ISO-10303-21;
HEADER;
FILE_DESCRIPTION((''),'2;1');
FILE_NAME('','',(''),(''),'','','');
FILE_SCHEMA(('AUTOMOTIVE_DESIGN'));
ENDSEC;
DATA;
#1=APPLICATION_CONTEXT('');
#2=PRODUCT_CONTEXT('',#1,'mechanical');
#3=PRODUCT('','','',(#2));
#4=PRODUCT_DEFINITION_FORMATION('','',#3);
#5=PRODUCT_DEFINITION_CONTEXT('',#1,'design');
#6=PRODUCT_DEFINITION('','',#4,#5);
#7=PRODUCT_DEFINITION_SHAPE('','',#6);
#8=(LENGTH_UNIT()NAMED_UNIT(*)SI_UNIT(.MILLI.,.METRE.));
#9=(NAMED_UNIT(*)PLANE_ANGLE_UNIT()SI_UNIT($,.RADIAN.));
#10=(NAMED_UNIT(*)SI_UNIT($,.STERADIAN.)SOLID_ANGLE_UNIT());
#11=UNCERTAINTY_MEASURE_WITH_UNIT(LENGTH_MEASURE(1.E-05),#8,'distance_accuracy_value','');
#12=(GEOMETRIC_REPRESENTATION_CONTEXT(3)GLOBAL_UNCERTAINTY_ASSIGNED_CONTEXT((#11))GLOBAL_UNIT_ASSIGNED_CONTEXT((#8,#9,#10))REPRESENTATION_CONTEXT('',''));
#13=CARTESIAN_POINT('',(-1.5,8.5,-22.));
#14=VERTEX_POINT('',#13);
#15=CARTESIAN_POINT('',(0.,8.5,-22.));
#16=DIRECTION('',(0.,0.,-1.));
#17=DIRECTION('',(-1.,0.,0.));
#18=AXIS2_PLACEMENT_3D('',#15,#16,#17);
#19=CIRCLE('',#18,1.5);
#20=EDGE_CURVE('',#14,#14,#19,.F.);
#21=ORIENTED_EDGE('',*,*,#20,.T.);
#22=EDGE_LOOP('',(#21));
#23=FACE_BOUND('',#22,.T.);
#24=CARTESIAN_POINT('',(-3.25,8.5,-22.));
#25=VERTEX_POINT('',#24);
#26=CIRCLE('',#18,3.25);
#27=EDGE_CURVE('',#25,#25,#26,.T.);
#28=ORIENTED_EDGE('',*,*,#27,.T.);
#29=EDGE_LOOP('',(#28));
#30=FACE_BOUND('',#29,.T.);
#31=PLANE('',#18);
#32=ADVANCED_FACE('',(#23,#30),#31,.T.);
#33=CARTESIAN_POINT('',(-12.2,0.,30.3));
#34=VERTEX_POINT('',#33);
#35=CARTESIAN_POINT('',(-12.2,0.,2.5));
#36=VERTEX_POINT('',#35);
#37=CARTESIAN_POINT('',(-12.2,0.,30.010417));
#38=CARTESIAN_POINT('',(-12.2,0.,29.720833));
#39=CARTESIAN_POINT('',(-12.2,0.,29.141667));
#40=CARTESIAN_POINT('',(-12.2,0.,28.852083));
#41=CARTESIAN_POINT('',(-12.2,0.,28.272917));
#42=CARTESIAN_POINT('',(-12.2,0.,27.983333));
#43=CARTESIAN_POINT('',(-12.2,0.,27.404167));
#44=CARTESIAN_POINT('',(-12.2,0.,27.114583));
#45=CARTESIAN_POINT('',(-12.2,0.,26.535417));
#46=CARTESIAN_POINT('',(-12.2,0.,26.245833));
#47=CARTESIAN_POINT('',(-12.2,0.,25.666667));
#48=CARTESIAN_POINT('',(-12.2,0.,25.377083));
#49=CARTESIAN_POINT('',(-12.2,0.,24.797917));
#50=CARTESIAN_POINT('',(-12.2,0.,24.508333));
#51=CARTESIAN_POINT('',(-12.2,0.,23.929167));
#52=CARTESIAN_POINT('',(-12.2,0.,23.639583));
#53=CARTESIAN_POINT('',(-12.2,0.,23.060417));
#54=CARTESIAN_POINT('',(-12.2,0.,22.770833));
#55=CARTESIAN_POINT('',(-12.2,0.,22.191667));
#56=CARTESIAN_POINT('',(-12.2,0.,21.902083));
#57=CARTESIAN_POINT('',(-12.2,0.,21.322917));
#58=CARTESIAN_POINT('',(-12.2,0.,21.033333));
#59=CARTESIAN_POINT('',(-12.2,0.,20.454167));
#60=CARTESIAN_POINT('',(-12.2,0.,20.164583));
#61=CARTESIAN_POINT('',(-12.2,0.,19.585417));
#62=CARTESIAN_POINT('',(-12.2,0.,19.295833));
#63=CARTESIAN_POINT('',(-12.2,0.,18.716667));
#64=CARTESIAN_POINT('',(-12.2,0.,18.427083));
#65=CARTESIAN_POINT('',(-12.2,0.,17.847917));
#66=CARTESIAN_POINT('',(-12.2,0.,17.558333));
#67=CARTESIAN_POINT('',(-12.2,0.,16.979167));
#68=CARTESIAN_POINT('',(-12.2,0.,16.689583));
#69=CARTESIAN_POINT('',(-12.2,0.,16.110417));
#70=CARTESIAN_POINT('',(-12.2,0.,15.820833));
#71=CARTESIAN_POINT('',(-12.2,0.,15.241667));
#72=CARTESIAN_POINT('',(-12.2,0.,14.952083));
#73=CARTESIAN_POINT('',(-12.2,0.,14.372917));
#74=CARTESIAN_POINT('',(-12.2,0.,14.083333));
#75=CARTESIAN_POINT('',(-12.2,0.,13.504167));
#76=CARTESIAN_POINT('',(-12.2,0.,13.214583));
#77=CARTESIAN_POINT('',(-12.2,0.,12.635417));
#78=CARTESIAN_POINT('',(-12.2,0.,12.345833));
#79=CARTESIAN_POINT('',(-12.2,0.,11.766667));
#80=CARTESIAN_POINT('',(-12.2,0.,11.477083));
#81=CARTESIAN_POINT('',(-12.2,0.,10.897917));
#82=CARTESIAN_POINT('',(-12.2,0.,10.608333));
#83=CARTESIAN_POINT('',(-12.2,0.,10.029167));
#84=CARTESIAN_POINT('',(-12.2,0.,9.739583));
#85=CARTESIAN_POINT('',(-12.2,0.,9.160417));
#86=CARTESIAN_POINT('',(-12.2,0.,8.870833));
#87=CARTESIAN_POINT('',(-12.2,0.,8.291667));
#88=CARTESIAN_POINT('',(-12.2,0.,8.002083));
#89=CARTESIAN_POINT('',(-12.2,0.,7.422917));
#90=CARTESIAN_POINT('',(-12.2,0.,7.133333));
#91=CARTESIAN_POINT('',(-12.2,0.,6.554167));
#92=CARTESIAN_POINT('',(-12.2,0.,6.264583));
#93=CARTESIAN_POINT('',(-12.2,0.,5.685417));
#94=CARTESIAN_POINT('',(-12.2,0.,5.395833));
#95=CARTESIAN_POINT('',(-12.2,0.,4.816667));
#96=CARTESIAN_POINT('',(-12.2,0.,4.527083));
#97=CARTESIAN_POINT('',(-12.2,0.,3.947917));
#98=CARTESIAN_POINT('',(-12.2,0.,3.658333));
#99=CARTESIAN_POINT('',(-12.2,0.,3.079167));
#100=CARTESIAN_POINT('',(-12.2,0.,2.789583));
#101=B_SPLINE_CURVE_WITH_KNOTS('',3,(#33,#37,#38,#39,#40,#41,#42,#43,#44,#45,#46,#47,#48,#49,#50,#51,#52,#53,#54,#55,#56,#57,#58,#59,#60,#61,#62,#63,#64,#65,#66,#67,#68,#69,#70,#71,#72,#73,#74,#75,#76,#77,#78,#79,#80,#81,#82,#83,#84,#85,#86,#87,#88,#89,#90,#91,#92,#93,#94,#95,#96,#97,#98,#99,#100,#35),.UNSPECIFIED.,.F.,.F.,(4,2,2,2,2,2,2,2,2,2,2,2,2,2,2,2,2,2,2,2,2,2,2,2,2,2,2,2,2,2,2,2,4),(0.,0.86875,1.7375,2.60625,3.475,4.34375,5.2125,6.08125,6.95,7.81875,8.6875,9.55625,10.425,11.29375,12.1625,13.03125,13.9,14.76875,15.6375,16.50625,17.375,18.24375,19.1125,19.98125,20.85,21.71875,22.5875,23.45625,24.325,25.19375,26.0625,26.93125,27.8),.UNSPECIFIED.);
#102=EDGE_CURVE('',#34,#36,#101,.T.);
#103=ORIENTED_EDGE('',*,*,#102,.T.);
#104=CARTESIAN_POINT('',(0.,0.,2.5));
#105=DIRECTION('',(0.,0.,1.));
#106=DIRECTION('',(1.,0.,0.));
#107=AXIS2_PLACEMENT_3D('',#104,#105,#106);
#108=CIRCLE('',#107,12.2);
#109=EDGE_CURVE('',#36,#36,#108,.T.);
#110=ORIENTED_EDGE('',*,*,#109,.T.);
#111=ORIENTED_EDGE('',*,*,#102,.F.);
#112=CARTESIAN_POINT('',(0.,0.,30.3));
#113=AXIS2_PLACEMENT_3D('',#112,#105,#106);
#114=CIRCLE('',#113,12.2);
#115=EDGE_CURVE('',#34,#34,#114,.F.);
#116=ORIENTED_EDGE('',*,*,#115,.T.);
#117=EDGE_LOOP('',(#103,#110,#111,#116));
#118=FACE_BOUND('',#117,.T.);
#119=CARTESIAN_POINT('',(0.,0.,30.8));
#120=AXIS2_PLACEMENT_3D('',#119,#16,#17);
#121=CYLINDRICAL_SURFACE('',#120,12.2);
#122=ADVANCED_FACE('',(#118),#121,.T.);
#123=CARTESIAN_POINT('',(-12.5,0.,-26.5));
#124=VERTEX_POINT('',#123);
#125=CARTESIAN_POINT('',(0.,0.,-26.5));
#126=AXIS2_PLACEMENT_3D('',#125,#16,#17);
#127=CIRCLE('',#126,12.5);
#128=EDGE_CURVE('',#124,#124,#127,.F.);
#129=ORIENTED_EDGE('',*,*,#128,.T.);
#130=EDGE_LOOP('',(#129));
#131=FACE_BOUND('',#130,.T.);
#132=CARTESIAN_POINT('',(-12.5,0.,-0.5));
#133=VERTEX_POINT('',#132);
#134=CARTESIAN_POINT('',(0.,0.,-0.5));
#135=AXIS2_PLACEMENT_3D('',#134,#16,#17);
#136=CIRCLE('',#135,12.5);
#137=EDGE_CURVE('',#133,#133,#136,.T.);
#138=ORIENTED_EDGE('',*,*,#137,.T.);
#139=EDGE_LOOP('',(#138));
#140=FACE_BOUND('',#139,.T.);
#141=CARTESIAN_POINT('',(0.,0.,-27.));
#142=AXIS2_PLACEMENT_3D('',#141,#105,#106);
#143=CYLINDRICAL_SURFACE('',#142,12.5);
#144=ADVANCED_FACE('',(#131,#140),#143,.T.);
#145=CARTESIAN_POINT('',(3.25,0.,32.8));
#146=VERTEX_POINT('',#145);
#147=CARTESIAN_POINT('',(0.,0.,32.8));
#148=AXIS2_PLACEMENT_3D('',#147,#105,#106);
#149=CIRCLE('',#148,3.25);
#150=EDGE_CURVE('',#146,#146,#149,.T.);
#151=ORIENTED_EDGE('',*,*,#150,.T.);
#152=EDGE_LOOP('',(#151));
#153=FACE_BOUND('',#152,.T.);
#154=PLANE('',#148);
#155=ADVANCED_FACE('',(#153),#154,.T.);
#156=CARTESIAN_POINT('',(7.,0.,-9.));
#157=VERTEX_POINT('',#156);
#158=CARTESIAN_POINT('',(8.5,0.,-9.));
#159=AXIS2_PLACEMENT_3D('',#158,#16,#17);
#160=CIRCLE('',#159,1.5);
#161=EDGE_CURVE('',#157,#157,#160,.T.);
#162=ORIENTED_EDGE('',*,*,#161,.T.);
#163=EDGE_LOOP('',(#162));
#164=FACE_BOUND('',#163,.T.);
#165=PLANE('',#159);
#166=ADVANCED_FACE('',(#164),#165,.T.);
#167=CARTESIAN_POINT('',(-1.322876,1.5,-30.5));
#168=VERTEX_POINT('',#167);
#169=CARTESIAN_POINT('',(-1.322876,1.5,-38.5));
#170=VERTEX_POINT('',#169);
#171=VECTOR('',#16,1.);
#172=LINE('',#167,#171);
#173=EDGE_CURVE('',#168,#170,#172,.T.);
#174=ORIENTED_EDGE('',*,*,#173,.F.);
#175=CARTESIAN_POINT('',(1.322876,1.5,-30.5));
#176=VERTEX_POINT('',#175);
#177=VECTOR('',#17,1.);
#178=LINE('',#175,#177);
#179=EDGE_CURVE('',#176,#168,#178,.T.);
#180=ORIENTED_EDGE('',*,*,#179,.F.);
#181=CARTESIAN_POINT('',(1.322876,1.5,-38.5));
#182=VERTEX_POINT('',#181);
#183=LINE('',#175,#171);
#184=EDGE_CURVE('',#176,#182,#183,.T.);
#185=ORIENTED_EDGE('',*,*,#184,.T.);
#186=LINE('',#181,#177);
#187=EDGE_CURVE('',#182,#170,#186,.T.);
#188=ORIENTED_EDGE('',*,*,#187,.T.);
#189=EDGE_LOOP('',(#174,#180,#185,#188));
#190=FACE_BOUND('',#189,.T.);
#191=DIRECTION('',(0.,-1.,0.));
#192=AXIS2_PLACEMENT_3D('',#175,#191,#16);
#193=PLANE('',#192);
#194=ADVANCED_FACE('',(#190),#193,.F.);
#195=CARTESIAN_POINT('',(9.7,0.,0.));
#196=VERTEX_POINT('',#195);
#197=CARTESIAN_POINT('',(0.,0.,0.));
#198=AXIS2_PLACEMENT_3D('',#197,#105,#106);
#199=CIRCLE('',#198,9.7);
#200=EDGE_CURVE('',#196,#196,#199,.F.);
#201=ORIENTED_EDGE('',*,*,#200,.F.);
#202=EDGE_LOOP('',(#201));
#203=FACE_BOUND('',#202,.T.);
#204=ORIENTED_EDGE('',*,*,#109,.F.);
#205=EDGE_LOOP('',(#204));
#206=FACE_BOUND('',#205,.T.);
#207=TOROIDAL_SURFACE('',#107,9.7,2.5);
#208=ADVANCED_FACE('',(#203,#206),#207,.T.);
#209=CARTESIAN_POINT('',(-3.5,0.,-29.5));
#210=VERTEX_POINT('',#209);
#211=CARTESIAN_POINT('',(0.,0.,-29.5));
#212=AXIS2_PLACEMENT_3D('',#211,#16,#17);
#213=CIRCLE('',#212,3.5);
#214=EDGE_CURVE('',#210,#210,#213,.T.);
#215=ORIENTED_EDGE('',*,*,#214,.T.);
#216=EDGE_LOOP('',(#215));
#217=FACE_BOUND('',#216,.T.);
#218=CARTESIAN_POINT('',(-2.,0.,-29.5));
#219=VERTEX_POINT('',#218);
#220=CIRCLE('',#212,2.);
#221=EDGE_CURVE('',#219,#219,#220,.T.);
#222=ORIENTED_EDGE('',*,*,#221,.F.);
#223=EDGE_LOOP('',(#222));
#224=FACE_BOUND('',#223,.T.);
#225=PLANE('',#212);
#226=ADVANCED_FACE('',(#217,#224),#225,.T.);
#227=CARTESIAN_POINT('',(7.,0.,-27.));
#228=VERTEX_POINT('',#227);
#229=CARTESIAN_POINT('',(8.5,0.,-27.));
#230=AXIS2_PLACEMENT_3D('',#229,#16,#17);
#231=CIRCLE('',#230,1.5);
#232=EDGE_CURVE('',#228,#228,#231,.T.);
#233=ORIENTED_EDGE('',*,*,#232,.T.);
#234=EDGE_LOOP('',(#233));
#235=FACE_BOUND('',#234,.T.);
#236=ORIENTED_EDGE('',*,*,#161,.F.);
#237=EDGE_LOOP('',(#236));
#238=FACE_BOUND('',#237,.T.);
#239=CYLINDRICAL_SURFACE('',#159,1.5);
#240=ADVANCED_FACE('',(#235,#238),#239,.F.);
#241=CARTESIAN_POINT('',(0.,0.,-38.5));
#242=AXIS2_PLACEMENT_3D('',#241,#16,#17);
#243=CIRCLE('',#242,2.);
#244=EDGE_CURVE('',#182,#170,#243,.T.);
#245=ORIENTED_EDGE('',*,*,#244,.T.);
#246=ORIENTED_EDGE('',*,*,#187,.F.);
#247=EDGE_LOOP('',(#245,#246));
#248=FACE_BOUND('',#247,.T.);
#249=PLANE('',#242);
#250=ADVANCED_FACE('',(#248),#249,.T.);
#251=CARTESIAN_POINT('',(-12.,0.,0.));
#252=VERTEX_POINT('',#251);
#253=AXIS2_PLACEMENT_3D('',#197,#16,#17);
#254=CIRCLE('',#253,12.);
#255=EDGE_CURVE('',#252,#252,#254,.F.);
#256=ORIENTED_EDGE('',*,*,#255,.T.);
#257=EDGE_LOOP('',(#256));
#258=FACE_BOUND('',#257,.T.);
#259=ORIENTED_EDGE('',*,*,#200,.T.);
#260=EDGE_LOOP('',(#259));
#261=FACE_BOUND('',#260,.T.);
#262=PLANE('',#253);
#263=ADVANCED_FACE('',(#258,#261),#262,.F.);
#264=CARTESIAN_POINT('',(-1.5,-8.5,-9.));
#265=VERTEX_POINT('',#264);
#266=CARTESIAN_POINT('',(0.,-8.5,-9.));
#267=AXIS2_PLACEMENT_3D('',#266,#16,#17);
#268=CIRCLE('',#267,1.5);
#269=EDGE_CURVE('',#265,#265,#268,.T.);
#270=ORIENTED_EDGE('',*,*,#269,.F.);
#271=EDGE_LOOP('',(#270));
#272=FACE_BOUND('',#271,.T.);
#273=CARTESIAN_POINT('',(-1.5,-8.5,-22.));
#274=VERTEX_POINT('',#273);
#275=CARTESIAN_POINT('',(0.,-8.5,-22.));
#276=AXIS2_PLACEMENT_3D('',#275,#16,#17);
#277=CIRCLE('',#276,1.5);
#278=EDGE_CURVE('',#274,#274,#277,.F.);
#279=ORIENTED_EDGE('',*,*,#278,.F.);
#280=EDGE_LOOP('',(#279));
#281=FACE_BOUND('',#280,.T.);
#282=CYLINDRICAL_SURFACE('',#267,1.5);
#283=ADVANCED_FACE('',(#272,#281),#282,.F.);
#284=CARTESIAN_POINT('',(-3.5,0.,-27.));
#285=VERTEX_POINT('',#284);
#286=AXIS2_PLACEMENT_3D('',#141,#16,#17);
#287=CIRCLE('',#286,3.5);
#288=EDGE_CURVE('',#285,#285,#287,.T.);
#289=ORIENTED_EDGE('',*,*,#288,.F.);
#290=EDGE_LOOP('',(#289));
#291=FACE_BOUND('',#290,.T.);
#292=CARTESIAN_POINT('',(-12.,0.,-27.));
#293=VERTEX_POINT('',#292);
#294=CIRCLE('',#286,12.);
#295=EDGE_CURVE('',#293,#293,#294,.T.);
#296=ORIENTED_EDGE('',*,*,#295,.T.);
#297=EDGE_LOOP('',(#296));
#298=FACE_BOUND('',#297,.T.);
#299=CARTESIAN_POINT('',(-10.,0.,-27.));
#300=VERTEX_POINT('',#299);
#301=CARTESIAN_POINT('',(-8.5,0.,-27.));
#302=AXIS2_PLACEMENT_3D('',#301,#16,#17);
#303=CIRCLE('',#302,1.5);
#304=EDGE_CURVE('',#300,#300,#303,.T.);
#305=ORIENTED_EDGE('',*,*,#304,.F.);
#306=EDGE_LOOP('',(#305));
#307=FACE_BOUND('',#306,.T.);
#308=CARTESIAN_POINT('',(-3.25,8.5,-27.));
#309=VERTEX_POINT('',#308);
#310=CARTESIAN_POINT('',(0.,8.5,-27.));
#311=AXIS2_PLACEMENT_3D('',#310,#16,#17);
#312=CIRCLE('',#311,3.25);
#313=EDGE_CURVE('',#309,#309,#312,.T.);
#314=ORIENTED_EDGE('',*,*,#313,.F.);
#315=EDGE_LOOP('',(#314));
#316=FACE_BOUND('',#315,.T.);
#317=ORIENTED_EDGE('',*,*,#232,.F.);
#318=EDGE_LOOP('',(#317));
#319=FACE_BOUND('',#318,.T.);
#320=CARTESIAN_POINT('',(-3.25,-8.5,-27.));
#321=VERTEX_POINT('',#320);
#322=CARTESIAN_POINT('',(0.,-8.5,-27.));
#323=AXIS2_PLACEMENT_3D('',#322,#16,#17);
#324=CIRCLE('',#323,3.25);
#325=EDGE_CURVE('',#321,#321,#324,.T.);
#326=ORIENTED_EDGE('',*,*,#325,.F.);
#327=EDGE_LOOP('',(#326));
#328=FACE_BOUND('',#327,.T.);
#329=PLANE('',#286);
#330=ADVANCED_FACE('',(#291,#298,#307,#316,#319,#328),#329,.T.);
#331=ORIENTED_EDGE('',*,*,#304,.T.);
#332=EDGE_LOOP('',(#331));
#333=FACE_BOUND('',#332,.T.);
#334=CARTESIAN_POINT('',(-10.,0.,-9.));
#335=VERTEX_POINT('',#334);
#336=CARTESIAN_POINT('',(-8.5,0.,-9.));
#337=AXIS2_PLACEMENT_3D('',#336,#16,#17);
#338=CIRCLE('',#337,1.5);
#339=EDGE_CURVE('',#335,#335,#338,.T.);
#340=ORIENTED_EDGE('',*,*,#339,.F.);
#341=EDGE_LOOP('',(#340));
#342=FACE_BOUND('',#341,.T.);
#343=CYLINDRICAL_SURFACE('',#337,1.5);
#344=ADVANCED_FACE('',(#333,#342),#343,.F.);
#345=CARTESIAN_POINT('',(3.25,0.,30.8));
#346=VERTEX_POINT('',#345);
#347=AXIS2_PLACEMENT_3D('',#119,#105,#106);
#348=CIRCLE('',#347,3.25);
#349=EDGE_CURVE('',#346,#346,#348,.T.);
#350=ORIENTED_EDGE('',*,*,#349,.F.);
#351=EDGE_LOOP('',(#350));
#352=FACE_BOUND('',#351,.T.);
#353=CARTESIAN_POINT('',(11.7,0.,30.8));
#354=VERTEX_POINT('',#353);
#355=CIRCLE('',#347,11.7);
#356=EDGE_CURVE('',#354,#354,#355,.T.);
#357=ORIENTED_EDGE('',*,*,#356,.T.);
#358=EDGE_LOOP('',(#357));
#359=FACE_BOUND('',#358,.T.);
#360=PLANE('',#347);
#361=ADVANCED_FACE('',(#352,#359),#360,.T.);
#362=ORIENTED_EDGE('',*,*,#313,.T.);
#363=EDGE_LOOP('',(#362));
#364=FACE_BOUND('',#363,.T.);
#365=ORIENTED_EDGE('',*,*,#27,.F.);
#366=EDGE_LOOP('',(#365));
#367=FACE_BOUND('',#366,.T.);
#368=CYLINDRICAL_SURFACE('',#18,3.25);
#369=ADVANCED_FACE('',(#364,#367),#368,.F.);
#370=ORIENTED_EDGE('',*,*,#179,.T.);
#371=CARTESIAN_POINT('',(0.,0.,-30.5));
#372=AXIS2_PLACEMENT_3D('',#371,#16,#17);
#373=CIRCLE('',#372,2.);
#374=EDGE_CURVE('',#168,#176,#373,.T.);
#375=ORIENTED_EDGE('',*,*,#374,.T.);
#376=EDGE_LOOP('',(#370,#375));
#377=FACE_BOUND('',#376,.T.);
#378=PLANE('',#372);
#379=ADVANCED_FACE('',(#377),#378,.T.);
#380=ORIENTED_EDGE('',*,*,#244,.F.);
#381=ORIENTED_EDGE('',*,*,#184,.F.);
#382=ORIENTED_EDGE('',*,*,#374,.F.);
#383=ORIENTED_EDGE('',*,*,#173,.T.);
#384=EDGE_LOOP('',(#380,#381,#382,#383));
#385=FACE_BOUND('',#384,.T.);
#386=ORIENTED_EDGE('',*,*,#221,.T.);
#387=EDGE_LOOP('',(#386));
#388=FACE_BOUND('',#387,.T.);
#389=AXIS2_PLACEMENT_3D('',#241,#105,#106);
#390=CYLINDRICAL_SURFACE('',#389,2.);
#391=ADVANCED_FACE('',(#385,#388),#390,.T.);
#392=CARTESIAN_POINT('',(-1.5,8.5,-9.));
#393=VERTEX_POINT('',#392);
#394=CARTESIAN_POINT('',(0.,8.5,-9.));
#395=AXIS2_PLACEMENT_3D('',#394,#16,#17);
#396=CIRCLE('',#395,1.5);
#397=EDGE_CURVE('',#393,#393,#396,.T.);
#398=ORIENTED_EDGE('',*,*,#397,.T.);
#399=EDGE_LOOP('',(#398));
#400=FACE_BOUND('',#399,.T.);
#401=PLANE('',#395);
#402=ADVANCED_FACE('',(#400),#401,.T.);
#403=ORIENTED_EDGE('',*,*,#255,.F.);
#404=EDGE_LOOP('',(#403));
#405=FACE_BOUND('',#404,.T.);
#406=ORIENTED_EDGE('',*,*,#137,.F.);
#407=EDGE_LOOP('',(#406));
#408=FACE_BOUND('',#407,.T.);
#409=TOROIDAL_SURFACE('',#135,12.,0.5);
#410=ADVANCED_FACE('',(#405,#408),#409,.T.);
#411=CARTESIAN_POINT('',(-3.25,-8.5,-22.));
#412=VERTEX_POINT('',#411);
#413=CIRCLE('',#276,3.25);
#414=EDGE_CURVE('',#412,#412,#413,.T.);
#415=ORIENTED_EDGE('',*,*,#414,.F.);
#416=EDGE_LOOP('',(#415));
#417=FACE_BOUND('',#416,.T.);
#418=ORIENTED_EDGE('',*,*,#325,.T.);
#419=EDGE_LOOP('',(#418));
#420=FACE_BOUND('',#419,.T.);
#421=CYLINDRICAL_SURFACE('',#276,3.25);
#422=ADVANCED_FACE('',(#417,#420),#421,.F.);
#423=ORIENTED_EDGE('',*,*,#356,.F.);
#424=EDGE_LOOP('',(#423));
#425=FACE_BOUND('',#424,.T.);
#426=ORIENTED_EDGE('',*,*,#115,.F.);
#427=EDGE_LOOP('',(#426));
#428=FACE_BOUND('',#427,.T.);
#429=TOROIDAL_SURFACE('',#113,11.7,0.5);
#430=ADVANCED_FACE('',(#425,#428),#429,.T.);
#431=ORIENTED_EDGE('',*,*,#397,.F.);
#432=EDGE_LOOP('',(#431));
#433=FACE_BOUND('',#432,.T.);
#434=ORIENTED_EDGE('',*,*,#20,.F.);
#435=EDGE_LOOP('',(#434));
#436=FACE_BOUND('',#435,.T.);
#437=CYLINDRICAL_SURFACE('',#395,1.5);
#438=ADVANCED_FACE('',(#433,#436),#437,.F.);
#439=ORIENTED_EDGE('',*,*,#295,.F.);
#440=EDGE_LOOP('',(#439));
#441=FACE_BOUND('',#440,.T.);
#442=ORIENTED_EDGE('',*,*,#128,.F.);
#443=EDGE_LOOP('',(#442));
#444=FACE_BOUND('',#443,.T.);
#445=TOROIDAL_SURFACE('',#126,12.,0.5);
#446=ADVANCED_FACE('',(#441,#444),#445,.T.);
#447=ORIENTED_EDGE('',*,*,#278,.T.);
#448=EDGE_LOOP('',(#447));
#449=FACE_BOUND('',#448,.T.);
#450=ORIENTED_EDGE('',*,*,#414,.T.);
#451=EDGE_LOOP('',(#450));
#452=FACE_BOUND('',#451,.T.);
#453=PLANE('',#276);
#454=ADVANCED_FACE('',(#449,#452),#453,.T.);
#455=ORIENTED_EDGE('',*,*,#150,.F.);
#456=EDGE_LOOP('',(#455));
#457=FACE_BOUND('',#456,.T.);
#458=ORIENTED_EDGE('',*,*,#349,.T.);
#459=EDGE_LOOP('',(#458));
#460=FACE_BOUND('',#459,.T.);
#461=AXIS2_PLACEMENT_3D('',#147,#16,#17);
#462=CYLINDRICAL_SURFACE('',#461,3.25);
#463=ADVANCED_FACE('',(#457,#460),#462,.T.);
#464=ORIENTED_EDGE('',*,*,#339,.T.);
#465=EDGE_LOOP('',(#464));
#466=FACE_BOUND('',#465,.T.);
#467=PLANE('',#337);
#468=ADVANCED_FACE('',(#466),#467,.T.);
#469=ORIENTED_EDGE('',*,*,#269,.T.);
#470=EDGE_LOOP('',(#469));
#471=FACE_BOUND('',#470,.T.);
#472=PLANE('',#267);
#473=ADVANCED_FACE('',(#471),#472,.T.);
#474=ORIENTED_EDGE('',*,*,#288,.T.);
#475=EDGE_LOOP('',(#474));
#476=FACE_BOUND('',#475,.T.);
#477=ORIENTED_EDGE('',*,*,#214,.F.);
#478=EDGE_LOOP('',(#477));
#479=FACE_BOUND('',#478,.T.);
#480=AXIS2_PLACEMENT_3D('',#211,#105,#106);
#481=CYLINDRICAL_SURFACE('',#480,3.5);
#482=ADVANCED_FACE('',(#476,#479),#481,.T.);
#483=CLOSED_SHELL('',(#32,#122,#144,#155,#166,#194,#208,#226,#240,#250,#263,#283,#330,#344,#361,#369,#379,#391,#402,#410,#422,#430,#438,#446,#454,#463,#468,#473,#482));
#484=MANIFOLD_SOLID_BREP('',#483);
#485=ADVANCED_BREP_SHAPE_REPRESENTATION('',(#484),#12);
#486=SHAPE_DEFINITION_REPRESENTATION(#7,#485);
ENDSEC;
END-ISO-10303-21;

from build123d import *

# Parameters (mm, degrees)
SKETCH_1_R          = 12.2
EXTRUDE_1_DEPTH     = 30.8
SKETCH_2_R          = 3.25
EXTRUDE_2_DEPTH     = 2
FILLET_1_R          = 2.5
SKETCH_3_R          = 12.5
EXTRUDE_3_DEPTH     = 27
SKETCH_4_R          = 3.5
EXTRUDE_4_DEPTH     = 2.5
SKETCH_5_R          = 2
EXTRUDE_5_DEPTH     = 9
CUT_EXTRUDE_START   = -8
CUT_EXTRUDE_1_DEPTH = 8
SKETCH_7_R          = 1.5
CUT_EXTRUDE_2_DEPTH = 18
FILLET_2_R          = 0.5
SKETCH_8_R          = 3.25
CUT_EXTRUDE_3_DEPTH = 5


with BuildPart() as part:
    # ｽｹｯﾁ1 → ﾎﾞｽ - 押し出し1 (new body)
    with BuildSketch(Plane.XY):
        with Locations(Location((0, 0, 0), (0, 0, 180))):
            Circle(SKETCH_1_R)
    extrude(amount=EXTRUDE_1_DEPTH)

    # ｽｹｯﾁ2 → ﾎﾞｽ - 押し出し2 (add)
    with BuildSketch(Plane.XY.offset(30.8)):
        Circle(SKETCH_2_R)
    extrude(amount=EXTRUDE_2_DEPTH)

    # ﾌｨﾚｯﾄ1
    fillet_1_edges = [part.edges().sort_by_distance(p)[0] for p in [
        (12.2, 0, 0),
    ]]
    fillet(fillet_1_edges, radius=FILLET_1_R)

    # ｽｹｯﾁ3 → ﾎﾞｽ - 押し出し3 (add)
    with BuildSketch(Plane(origin=(0, 0, 0), x_dir=(-1, 0, 0), z_dir=(0, 0, -1))):
        Circle(SKETCH_3_R)
    extrude(amount=EXTRUDE_3_DEPTH)

    # ｽｹｯﾁ4 → ﾎﾞｽ - 押し出し4 (add)
    with BuildSketch(Plane(origin=(0, 0, -27), x_dir=(-1, 0, 0), z_dir=(0, 0, -1))):
        Circle(SKETCH_4_R)
    extrude(amount=EXTRUDE_4_DEPTH)

    # ｽｹｯﾁ5 → ﾎﾞｽ - 押し出し5 (add)
    with BuildSketch(Plane(origin=(0, 0, -29.5), x_dir=(-1, 0, 0), z_dir=(0, 0, -1))):
        Circle(SKETCH_5_R)
    extrude(amount=EXTRUDE_5_DEPTH)

    # ｽｹｯﾁ6 → ｶｯﾄ - 押し出し1 (cut)
    with BuildSketch(Plane(origin=(0, 0, -38.5), x_dir=(-1, 0, 0), z_dir=(0, 0, -1)).offset(CUT_EXTRUDE_START)):
        with BuildLine():
            Line((-1.322875656, 1.5), (1.322875656, 1.5))
            ThreePointArc((1.322875656, 1.5), (0, 2), (-1.322875656, 1.5))
        make_face()
    extrude(amount=CUT_EXTRUDE_1_DEPTH, mode=Mode.SUBTRACT)

    # ｽｹｯﾁ7 → ｶｯﾄ - 押し出し2 (cut)
    with BuildSketch(Plane(origin=(0, 0, -27), x_dir=(-1, 0, 0), z_dir=(0, 0, -1))):
        with Locations((0, 8.5)):
            Circle(SKETCH_7_R)
        with Locations((8.5, 0)):
            Circle(SKETCH_7_R)
        with Locations((0, -8.5)):
            Circle(SKETCH_7_R)
        with Locations((-8.5, 0)):
            Circle(SKETCH_7_R)
    extrude(amount=-CUT_EXTRUDE_2_DEPTH, mode=Mode.SUBTRACT)

    # ﾌｨﾚｯﾄ2
    fillet_2_edges = [part.edges().sort_by_distance(p)[0] for p in [
        (12.5, 0, 0),
        (12.5, 0, -27),
        (12.2, 0, 30.8),
    ]]
    fillet(fillet_2_edges, radius=FILLET_2_R)

    # ｽｹｯﾁ8 → ｶｯﾄ - 押し出し3 (cut)
    with BuildSketch(Plane(origin=(0, 0, -27), x_dir=(-1, 0, 0), z_dir=(0, 0, -1))):
        with Locations((0, 8.5)):
            Circle(SKETCH_8_R)
        with Locations((0, -8.5)):
            Circle(SKETCH_8_R)
    extrude(amount=-CUT_EXTRUDE_3_DEPTH, mode=Mode.SUBTRACT)


solid = part.part
